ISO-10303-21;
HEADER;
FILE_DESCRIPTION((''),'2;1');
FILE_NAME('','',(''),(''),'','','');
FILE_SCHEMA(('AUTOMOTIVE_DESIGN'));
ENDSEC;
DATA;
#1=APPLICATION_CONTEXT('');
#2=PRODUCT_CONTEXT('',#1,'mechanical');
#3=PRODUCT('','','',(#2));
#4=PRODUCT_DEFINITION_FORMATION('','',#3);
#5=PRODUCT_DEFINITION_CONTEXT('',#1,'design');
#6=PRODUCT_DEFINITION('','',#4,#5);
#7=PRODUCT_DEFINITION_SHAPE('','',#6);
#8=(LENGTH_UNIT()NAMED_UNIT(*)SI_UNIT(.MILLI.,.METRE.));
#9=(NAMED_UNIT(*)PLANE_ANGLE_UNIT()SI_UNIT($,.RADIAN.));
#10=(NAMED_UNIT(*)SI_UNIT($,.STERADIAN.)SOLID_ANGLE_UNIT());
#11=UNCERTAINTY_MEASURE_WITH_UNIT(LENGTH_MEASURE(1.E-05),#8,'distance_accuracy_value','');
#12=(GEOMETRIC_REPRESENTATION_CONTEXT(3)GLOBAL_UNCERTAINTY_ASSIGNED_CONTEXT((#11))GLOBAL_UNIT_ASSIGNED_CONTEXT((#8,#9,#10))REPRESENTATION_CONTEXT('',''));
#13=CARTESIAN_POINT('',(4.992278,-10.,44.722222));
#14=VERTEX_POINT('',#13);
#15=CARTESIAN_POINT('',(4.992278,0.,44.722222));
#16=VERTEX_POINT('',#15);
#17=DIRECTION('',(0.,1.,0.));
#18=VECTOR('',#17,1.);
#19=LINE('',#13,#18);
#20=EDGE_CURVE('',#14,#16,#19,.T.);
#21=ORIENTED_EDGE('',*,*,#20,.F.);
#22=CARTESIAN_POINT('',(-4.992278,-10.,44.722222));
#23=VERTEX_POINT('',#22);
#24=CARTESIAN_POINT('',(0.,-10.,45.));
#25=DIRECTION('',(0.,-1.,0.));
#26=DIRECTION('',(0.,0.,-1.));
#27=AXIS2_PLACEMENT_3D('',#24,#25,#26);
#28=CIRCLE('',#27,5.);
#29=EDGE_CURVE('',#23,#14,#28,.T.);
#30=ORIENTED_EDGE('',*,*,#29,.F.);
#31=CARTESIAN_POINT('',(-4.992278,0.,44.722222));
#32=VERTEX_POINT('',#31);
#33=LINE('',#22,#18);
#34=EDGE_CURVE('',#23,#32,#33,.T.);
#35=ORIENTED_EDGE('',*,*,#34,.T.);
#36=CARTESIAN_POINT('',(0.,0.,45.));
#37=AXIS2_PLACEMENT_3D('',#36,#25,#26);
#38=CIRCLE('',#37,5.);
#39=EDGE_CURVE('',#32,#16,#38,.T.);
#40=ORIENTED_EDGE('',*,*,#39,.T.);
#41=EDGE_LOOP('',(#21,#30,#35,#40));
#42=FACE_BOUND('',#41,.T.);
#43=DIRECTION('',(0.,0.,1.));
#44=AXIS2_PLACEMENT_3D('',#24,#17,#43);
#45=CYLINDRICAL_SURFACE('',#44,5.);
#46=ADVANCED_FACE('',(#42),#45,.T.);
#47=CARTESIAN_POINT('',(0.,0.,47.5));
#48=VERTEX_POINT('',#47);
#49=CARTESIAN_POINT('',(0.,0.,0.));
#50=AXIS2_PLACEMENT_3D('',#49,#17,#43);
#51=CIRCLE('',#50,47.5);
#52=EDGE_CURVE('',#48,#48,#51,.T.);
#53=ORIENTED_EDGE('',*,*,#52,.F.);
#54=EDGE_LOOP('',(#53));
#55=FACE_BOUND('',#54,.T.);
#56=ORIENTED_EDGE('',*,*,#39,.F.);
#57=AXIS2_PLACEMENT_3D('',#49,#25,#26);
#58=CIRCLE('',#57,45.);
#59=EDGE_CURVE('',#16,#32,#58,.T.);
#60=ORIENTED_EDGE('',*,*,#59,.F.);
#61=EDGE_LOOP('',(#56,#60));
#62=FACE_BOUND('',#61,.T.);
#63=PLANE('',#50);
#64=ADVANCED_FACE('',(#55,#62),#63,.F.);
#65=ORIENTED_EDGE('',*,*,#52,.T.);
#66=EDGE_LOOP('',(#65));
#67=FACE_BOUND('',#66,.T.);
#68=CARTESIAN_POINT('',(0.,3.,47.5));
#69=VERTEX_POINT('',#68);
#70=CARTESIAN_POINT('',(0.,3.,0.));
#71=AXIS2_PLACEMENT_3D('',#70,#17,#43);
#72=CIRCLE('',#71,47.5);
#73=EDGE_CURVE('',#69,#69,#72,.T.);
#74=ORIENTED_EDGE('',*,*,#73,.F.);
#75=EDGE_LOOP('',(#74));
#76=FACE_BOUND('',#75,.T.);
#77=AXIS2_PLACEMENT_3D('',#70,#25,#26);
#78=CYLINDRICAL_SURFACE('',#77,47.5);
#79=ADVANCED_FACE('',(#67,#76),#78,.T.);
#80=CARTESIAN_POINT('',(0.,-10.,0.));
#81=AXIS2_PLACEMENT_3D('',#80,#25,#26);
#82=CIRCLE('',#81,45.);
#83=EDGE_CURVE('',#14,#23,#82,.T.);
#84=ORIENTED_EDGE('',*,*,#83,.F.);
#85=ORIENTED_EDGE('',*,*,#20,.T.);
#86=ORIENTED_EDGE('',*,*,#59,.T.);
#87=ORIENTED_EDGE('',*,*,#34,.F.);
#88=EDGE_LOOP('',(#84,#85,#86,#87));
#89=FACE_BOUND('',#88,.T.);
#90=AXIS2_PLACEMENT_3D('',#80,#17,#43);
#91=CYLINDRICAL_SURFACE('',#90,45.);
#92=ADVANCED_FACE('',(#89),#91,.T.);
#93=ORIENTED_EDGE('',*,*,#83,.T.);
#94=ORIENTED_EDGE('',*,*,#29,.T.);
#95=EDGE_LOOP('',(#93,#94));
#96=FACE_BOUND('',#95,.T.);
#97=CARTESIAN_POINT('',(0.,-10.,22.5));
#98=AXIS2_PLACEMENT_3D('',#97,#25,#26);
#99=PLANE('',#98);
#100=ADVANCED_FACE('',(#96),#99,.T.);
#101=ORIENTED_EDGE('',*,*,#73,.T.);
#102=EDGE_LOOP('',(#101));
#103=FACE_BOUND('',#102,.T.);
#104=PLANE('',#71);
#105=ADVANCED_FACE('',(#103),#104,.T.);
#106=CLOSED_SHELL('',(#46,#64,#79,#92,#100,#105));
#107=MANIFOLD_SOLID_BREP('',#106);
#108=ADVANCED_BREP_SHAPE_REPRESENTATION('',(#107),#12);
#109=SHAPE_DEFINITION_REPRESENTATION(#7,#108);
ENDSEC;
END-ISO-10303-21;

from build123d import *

# Parameters (mm, degrees)
SKETCH2_R           = 47.5
BOSS_EXTRUDE1_DEPTH = 3
BOSS_EXTRUDE2_DEPTH = 10


with BuildPart() as part:
    # Sketch2 → Boss-Extrude1 (new body)
    with BuildSketch(Plane(origin=(0, 0, 0), x_dir=(1, 0, 0), z_dir=(0, 1, 0))):
        Circle(SKETCH2_R)
    extrude(amount=BOSS_EXTRUDE1_DEPTH)

    # Sketch4 → Boss-Extrude2 (add)
    with BuildSketch(Plane.XZ):
        with BuildLine():
            ThreePointArc((4.992277988, 44.722222222), (0, 45), (-4.992277988, 44.722222222))
            ThreePointArc((-4.992277988, 44.722222222), (0, 40), (4.992277988, 44.722222222))
        make_face()
    extrude(amount=BOSS_EXTRUDE2_DEPTH)


solid = part.part
